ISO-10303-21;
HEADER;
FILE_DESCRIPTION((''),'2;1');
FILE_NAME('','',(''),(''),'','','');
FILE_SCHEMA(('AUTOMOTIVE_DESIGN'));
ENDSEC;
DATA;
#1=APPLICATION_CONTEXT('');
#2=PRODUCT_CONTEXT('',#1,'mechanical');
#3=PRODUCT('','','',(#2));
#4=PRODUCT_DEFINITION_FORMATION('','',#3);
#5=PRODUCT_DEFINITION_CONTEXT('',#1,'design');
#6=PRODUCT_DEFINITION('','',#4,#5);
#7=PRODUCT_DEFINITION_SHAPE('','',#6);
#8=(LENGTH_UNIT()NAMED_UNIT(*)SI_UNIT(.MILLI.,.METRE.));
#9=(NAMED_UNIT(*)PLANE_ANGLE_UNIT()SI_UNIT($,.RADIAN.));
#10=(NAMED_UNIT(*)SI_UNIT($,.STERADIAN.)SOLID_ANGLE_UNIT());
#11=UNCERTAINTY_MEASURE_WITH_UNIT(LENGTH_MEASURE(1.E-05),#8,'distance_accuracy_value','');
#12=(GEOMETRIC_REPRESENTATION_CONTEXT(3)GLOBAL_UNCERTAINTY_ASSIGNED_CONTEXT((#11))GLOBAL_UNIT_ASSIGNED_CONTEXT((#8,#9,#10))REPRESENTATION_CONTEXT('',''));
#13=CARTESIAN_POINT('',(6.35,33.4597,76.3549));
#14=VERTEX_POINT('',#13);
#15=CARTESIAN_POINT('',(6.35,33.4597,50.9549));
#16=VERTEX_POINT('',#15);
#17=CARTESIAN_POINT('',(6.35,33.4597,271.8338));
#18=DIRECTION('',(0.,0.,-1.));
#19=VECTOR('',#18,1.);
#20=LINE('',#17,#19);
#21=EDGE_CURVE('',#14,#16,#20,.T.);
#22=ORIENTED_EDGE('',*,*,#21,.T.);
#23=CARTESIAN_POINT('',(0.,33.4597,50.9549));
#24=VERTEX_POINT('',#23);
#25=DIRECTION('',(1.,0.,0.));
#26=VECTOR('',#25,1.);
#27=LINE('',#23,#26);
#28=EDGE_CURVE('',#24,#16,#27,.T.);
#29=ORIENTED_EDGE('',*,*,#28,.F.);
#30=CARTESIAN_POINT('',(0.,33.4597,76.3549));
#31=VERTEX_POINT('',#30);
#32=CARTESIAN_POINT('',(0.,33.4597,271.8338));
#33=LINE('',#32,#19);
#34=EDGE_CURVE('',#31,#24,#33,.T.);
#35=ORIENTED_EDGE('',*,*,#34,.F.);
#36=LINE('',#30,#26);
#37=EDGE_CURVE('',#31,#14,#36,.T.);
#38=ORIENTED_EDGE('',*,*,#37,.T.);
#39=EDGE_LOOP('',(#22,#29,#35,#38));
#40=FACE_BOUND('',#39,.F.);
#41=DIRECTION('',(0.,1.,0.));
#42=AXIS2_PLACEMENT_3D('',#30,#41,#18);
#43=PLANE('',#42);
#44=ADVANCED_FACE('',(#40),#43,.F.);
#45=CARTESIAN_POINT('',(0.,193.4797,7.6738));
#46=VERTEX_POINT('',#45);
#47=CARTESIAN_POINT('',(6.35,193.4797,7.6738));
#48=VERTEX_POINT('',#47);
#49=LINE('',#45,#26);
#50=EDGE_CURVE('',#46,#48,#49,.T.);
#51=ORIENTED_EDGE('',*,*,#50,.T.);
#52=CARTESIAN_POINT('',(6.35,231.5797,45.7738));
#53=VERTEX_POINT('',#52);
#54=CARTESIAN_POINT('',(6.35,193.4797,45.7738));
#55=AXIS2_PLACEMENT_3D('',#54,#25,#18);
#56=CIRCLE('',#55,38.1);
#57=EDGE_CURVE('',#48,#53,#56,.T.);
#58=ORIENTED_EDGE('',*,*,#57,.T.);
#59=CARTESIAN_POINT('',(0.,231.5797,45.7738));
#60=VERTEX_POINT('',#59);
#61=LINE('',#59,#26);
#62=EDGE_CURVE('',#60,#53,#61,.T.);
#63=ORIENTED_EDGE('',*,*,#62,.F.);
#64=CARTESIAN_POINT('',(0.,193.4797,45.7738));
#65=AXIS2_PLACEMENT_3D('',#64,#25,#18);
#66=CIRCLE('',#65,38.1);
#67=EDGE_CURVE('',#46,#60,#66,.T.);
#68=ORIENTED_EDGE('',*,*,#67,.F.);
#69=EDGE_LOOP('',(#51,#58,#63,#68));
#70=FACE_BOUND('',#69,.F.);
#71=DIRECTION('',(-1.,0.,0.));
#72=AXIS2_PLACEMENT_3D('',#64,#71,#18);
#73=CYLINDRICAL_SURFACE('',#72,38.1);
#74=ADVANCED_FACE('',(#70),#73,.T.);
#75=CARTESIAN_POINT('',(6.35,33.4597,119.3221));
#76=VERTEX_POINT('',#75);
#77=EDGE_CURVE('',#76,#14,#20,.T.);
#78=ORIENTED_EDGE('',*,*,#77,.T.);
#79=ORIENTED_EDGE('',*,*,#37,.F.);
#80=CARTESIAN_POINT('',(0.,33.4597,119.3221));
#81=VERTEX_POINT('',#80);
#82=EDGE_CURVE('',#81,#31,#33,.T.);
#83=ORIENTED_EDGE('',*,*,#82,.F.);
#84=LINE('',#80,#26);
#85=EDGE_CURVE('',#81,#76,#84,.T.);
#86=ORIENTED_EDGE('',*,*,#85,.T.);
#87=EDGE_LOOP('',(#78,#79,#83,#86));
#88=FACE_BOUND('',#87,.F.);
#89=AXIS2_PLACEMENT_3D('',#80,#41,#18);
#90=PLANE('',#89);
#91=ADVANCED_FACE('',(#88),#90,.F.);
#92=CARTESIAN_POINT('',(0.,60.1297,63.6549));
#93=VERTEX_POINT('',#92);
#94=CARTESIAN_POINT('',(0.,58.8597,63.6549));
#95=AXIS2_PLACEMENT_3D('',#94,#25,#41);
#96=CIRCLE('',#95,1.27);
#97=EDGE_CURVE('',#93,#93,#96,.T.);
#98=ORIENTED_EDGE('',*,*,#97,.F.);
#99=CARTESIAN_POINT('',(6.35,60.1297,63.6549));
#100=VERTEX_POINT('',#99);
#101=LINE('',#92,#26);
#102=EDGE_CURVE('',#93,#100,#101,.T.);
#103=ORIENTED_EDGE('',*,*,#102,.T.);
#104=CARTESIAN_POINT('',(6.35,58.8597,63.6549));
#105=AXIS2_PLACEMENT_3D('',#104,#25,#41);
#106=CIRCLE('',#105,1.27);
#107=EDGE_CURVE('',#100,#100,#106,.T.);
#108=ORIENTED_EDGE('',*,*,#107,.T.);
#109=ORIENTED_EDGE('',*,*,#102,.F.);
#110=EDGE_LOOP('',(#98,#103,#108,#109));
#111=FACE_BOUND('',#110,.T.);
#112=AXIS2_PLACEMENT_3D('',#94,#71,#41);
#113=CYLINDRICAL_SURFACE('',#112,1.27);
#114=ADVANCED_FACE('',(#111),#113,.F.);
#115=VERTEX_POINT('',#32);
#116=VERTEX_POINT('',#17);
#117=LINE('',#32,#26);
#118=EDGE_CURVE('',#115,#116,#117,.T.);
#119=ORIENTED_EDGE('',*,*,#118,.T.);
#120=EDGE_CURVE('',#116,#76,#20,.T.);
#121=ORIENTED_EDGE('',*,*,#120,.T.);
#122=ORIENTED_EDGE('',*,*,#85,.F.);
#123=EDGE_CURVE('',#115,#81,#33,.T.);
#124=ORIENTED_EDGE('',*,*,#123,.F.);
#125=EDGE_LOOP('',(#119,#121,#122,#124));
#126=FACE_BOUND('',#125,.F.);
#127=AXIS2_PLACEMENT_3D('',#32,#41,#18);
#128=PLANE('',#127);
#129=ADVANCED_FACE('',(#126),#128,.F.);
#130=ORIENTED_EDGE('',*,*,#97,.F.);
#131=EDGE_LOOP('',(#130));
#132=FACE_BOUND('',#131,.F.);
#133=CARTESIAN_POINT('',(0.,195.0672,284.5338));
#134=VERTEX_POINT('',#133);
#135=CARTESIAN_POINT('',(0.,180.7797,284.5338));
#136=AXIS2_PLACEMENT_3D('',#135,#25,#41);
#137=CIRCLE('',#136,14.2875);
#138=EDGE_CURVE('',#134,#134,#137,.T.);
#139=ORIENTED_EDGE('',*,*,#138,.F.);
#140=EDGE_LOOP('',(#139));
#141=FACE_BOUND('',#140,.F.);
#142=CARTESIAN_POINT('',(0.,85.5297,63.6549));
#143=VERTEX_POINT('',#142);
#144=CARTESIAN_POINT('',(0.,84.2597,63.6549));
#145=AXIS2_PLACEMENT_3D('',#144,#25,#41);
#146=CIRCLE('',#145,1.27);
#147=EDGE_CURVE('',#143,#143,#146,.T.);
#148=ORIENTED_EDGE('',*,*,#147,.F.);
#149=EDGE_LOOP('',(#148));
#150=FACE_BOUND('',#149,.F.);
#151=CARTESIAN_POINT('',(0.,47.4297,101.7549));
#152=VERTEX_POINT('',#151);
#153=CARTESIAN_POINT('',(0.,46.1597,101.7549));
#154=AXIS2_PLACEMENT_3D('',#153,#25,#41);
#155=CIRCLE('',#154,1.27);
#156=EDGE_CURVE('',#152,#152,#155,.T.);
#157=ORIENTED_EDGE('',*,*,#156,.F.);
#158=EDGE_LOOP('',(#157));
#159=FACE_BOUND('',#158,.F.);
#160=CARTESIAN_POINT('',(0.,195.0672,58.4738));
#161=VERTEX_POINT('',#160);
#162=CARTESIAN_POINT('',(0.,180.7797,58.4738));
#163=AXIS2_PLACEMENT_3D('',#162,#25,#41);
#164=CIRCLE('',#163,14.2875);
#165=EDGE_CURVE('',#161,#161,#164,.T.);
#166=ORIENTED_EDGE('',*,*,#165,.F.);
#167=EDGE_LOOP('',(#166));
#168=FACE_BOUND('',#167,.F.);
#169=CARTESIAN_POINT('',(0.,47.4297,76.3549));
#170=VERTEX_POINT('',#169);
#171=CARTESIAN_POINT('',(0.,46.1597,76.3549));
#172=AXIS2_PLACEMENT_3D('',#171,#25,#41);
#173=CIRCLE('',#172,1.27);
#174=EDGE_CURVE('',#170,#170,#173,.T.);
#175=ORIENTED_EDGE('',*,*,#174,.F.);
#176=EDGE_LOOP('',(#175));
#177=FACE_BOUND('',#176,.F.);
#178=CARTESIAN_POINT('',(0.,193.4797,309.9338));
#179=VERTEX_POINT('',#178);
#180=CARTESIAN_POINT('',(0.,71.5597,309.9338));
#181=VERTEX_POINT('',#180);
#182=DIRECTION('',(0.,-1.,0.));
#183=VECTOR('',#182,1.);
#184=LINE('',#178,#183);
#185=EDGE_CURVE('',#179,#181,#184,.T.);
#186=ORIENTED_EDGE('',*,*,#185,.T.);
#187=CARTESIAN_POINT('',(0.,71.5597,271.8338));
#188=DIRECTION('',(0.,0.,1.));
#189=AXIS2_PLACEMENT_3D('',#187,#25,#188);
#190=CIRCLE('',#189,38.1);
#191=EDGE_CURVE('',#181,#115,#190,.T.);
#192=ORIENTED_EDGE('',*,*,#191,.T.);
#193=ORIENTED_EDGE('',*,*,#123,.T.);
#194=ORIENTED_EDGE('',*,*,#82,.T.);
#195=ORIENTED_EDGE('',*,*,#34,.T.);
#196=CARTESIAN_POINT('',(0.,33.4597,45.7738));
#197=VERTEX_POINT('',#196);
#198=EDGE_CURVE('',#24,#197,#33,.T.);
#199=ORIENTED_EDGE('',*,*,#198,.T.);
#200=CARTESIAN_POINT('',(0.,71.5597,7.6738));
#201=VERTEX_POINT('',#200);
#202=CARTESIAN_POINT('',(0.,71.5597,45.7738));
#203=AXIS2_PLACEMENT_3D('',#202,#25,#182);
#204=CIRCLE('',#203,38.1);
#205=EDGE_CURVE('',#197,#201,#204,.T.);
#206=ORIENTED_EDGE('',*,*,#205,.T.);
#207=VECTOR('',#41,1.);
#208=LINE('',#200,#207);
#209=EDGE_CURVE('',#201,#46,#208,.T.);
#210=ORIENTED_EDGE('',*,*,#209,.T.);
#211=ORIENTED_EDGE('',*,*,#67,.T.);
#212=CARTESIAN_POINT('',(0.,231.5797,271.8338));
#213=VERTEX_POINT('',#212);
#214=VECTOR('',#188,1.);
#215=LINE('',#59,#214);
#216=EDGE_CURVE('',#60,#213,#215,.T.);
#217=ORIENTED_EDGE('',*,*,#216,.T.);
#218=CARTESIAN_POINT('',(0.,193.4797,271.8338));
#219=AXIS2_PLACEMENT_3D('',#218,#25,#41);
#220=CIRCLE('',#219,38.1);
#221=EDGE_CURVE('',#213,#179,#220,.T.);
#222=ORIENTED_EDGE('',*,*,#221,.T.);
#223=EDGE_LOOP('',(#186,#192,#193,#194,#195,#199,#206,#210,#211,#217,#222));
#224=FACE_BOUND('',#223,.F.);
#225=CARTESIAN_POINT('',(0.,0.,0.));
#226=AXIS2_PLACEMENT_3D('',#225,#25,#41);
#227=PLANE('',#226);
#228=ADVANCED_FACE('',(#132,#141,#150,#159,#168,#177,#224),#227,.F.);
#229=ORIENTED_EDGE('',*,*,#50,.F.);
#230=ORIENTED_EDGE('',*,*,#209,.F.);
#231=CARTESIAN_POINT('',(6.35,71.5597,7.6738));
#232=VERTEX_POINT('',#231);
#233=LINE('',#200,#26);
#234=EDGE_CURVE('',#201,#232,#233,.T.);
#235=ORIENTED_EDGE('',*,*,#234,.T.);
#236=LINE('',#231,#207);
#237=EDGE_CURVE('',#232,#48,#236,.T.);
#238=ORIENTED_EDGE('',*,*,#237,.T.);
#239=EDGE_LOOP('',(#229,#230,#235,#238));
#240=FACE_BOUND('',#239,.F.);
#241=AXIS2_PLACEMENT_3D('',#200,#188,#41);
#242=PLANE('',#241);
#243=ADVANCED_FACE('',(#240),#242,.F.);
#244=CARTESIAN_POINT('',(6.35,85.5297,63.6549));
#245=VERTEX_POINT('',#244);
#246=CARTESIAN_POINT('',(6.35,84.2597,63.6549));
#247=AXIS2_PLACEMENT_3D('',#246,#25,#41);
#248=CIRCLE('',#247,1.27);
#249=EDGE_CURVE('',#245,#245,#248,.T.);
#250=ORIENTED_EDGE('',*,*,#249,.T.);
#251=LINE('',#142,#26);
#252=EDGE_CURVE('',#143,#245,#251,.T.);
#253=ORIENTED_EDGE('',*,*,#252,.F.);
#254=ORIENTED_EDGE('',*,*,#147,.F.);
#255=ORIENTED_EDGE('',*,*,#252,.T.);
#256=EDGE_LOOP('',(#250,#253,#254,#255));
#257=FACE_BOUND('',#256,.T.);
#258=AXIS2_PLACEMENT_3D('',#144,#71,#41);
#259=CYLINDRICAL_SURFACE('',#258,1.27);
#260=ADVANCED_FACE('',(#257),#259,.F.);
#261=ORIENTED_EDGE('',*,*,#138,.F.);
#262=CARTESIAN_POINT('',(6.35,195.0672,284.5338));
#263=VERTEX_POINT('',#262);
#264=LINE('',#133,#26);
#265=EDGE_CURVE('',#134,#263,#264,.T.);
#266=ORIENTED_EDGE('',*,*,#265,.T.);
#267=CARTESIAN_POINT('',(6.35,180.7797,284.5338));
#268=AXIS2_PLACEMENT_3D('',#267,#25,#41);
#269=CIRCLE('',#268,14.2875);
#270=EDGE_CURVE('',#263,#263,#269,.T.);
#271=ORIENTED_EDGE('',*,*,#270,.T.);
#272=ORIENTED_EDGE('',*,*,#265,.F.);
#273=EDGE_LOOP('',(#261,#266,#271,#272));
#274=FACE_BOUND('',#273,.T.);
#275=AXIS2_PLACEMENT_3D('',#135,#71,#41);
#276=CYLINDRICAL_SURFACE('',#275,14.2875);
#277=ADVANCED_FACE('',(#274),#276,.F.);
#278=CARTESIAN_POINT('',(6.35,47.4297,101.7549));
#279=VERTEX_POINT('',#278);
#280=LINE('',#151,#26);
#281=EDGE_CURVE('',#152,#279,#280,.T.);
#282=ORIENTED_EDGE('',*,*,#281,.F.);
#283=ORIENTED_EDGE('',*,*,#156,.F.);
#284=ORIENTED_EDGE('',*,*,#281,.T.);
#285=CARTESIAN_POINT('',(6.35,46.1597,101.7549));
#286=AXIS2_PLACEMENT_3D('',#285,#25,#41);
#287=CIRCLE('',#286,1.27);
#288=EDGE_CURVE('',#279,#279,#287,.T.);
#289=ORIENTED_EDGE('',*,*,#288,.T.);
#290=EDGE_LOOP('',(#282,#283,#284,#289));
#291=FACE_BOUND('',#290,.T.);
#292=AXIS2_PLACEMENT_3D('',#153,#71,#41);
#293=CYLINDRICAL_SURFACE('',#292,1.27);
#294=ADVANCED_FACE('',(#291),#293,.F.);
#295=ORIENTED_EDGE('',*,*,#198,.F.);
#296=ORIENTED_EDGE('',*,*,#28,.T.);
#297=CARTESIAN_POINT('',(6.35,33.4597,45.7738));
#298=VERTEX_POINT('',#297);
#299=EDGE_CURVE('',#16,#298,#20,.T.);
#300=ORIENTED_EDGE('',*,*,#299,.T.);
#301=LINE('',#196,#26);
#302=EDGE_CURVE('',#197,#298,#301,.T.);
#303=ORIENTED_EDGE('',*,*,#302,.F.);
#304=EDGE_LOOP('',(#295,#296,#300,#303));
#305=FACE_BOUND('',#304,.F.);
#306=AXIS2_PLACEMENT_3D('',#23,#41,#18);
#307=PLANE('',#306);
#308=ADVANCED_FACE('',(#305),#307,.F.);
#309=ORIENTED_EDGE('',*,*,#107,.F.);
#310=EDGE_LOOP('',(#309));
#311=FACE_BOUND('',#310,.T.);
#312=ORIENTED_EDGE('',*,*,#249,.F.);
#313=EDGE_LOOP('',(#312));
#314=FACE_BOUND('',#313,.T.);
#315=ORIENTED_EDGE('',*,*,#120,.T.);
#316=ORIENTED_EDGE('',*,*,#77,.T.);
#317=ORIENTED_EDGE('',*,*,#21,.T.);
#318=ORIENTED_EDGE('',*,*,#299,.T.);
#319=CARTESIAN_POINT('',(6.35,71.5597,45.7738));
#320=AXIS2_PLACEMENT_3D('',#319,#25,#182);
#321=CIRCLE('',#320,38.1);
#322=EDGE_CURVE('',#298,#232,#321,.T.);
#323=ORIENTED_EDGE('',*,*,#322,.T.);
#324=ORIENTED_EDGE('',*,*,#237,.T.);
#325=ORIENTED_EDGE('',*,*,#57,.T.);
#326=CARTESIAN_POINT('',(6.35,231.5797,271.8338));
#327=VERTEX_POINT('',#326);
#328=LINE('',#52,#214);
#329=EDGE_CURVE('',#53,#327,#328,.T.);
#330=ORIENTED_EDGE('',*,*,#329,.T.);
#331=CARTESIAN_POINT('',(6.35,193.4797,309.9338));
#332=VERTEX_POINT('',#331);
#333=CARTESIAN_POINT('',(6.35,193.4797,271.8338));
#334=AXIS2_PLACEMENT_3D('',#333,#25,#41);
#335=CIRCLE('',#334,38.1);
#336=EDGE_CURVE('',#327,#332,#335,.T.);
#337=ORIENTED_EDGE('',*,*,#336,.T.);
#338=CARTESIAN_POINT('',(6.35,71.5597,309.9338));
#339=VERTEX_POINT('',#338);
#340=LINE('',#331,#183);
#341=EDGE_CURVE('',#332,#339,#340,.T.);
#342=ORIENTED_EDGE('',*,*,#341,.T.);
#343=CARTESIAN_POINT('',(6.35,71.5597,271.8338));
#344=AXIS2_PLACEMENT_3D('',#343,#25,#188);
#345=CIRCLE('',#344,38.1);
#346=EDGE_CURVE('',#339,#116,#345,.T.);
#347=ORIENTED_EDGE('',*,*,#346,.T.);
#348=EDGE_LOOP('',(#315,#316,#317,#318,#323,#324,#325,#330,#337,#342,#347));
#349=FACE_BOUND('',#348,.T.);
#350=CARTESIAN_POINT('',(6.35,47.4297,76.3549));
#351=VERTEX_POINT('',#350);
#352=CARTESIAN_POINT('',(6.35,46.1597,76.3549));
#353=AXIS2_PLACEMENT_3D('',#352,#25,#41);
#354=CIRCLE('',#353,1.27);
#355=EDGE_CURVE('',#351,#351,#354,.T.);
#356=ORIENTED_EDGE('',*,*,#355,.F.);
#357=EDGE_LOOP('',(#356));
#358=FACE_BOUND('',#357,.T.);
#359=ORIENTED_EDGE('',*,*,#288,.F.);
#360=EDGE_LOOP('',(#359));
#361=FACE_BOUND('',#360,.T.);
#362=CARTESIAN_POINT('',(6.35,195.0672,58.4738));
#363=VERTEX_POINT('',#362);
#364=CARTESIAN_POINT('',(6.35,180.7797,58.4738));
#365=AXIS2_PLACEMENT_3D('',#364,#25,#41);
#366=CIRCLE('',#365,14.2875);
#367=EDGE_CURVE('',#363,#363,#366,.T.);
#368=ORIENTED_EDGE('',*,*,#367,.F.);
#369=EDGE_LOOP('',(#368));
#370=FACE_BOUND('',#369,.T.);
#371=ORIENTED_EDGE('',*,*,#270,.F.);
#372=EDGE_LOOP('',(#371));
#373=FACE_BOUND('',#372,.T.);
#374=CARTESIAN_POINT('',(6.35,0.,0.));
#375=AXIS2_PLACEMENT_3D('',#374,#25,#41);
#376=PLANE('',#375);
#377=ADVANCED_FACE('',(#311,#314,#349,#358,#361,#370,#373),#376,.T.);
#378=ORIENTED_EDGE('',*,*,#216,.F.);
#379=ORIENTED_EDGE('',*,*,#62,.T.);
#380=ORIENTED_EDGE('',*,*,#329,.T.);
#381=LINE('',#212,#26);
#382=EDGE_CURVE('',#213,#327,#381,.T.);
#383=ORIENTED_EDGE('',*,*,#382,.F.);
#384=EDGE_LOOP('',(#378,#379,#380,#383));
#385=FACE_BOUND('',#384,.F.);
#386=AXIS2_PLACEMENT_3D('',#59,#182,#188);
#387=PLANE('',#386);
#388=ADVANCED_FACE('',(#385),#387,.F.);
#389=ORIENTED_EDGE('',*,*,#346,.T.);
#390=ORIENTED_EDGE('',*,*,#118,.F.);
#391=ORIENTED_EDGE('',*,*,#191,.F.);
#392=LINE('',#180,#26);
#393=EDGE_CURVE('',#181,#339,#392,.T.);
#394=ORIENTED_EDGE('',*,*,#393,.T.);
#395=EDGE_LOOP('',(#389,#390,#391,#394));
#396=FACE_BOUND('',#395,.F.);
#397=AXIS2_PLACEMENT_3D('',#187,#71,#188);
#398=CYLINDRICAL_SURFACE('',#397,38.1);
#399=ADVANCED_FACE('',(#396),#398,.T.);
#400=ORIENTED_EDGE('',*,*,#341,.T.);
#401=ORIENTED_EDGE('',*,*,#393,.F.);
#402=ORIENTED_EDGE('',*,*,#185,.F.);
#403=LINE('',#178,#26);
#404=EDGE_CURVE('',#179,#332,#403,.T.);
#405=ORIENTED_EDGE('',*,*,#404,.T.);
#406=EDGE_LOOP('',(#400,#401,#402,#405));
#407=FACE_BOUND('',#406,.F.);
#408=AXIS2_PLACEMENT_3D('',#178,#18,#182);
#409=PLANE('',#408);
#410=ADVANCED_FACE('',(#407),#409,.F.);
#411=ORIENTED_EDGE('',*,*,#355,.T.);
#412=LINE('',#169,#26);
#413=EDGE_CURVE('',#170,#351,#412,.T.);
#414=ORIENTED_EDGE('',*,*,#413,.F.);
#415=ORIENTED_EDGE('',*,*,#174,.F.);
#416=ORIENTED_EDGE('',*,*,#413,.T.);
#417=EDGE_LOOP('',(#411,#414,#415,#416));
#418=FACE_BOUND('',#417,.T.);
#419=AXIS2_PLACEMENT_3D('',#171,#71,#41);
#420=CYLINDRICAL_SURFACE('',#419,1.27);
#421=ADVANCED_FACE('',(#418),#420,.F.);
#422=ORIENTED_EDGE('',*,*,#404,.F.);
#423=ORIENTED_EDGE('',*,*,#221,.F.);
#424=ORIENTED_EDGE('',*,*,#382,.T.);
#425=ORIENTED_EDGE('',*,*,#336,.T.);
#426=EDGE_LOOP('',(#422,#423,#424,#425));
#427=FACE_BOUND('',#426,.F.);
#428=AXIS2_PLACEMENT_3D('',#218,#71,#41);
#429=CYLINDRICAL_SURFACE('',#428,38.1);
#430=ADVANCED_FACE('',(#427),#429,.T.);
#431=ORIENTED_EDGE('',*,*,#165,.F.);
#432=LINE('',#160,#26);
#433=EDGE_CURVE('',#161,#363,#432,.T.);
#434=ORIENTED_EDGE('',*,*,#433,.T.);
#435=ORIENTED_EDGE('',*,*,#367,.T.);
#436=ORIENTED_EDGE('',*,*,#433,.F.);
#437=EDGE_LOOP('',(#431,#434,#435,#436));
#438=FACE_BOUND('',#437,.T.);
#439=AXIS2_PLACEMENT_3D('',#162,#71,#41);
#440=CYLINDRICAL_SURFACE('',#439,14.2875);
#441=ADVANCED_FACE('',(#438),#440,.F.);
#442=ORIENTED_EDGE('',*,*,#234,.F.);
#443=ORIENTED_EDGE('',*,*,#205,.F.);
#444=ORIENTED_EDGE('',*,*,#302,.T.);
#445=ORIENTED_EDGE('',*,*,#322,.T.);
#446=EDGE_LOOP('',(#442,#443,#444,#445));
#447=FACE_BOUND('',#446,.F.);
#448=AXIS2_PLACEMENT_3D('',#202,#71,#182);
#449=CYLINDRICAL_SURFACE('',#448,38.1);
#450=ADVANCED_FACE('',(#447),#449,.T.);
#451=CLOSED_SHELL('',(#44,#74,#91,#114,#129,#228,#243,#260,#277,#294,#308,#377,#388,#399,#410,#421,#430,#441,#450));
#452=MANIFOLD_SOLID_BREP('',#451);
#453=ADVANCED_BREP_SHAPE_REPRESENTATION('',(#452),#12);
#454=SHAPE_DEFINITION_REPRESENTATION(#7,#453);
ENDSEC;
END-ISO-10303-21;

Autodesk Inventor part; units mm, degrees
ref_plane "YZ Plane" through (0, 0, 0) normal (1, 0, 0) x (0, 1, 0)
ref_plane "XZ Plane" through (0, 0, 0) normal (0, 1, 0) x (-1, 0, 0)
ref_plane "XY Plane" through (0, 0, 0) normal (0, 0, 1) x (1, 0, 0)
sketch "Sketch1" plane through (0, 0, 0) normal (1, 0, 0) x (0, 1, 0)
  line L0 (-17.3403, 309.9338) -> (-51.2615, 309.9338)
  line L1 (-51.2615, -502.8662) -> (-17.3403, -502.8662)
  line L2 (71.5597, 7.6738) -> (193.4797, 7.6738)
  line L3 (231.5797, 45.7738) -> (231.5797, 271.8338)
  line L4 (193.4797, 309.9338) -> (71.5597, 309.9338)
  line L5 (33.4597, 271.8338) -> (33.4597, 45.7738)
  line L6 (33.4597, 50.9549) -> (33.4597, 76.3549)
  line L7 (33.4597, 119.3221) -> (33.4597, 50.9549)
  arc A0 (71.5597, 309.9338) -> (33.4597, 271.8338) centre (71.5597, 271.8338) ccw
  arc A1 (231.5797, 271.8338) -> (193.4797, 309.9338) centre (193.4797, 271.8338) ccw
  arc A2 (193.4797, 7.6738) -> (231.5797, 45.7738) centre (193.4797, 45.7738) ccw
  arc A3 (33.4597, 45.7738) -> (71.5597, 7.6738) centre (71.5597, 45.7738) ccw
  circle A4 centre (180.7797, 284.5338) radius 14.2875
  circle A5 centre (46.1597, 76.3549) radius 1.27
  circle A6 centre (46.1597, 101.7549) radius 1.27
  circle A7 centre (58.8597, 63.6549) radius 1.27
  circle A8 centre (84.2597, 63.6549) radius 1.27
  circle A9 centre (180.7797, 58.4738) radius 14.2875
  point P0 (0, 0)
  dimension "d2" = 812.8
  dimension "d17" = 302.26
  dimension "d28" = 38.1
  dimension "d29" = 28.575
  dimension "d30" = 2.54
  dimension "d32" = 12.7
  dimension "d33" = 2.54
  dimension "d34" = 12.7
  dimension "d35" = 25.4
  dimension "d36" = 0
  dimension "d37" = 2.54
  dimension "d38" = 2.54
  dimension "d40" = 25.4
  dimension "d42" = 28.575
extrude "Extrusion1" add sketch "Sketch1" along normal blind 6.35
properties part number "BottomRampPlate"
